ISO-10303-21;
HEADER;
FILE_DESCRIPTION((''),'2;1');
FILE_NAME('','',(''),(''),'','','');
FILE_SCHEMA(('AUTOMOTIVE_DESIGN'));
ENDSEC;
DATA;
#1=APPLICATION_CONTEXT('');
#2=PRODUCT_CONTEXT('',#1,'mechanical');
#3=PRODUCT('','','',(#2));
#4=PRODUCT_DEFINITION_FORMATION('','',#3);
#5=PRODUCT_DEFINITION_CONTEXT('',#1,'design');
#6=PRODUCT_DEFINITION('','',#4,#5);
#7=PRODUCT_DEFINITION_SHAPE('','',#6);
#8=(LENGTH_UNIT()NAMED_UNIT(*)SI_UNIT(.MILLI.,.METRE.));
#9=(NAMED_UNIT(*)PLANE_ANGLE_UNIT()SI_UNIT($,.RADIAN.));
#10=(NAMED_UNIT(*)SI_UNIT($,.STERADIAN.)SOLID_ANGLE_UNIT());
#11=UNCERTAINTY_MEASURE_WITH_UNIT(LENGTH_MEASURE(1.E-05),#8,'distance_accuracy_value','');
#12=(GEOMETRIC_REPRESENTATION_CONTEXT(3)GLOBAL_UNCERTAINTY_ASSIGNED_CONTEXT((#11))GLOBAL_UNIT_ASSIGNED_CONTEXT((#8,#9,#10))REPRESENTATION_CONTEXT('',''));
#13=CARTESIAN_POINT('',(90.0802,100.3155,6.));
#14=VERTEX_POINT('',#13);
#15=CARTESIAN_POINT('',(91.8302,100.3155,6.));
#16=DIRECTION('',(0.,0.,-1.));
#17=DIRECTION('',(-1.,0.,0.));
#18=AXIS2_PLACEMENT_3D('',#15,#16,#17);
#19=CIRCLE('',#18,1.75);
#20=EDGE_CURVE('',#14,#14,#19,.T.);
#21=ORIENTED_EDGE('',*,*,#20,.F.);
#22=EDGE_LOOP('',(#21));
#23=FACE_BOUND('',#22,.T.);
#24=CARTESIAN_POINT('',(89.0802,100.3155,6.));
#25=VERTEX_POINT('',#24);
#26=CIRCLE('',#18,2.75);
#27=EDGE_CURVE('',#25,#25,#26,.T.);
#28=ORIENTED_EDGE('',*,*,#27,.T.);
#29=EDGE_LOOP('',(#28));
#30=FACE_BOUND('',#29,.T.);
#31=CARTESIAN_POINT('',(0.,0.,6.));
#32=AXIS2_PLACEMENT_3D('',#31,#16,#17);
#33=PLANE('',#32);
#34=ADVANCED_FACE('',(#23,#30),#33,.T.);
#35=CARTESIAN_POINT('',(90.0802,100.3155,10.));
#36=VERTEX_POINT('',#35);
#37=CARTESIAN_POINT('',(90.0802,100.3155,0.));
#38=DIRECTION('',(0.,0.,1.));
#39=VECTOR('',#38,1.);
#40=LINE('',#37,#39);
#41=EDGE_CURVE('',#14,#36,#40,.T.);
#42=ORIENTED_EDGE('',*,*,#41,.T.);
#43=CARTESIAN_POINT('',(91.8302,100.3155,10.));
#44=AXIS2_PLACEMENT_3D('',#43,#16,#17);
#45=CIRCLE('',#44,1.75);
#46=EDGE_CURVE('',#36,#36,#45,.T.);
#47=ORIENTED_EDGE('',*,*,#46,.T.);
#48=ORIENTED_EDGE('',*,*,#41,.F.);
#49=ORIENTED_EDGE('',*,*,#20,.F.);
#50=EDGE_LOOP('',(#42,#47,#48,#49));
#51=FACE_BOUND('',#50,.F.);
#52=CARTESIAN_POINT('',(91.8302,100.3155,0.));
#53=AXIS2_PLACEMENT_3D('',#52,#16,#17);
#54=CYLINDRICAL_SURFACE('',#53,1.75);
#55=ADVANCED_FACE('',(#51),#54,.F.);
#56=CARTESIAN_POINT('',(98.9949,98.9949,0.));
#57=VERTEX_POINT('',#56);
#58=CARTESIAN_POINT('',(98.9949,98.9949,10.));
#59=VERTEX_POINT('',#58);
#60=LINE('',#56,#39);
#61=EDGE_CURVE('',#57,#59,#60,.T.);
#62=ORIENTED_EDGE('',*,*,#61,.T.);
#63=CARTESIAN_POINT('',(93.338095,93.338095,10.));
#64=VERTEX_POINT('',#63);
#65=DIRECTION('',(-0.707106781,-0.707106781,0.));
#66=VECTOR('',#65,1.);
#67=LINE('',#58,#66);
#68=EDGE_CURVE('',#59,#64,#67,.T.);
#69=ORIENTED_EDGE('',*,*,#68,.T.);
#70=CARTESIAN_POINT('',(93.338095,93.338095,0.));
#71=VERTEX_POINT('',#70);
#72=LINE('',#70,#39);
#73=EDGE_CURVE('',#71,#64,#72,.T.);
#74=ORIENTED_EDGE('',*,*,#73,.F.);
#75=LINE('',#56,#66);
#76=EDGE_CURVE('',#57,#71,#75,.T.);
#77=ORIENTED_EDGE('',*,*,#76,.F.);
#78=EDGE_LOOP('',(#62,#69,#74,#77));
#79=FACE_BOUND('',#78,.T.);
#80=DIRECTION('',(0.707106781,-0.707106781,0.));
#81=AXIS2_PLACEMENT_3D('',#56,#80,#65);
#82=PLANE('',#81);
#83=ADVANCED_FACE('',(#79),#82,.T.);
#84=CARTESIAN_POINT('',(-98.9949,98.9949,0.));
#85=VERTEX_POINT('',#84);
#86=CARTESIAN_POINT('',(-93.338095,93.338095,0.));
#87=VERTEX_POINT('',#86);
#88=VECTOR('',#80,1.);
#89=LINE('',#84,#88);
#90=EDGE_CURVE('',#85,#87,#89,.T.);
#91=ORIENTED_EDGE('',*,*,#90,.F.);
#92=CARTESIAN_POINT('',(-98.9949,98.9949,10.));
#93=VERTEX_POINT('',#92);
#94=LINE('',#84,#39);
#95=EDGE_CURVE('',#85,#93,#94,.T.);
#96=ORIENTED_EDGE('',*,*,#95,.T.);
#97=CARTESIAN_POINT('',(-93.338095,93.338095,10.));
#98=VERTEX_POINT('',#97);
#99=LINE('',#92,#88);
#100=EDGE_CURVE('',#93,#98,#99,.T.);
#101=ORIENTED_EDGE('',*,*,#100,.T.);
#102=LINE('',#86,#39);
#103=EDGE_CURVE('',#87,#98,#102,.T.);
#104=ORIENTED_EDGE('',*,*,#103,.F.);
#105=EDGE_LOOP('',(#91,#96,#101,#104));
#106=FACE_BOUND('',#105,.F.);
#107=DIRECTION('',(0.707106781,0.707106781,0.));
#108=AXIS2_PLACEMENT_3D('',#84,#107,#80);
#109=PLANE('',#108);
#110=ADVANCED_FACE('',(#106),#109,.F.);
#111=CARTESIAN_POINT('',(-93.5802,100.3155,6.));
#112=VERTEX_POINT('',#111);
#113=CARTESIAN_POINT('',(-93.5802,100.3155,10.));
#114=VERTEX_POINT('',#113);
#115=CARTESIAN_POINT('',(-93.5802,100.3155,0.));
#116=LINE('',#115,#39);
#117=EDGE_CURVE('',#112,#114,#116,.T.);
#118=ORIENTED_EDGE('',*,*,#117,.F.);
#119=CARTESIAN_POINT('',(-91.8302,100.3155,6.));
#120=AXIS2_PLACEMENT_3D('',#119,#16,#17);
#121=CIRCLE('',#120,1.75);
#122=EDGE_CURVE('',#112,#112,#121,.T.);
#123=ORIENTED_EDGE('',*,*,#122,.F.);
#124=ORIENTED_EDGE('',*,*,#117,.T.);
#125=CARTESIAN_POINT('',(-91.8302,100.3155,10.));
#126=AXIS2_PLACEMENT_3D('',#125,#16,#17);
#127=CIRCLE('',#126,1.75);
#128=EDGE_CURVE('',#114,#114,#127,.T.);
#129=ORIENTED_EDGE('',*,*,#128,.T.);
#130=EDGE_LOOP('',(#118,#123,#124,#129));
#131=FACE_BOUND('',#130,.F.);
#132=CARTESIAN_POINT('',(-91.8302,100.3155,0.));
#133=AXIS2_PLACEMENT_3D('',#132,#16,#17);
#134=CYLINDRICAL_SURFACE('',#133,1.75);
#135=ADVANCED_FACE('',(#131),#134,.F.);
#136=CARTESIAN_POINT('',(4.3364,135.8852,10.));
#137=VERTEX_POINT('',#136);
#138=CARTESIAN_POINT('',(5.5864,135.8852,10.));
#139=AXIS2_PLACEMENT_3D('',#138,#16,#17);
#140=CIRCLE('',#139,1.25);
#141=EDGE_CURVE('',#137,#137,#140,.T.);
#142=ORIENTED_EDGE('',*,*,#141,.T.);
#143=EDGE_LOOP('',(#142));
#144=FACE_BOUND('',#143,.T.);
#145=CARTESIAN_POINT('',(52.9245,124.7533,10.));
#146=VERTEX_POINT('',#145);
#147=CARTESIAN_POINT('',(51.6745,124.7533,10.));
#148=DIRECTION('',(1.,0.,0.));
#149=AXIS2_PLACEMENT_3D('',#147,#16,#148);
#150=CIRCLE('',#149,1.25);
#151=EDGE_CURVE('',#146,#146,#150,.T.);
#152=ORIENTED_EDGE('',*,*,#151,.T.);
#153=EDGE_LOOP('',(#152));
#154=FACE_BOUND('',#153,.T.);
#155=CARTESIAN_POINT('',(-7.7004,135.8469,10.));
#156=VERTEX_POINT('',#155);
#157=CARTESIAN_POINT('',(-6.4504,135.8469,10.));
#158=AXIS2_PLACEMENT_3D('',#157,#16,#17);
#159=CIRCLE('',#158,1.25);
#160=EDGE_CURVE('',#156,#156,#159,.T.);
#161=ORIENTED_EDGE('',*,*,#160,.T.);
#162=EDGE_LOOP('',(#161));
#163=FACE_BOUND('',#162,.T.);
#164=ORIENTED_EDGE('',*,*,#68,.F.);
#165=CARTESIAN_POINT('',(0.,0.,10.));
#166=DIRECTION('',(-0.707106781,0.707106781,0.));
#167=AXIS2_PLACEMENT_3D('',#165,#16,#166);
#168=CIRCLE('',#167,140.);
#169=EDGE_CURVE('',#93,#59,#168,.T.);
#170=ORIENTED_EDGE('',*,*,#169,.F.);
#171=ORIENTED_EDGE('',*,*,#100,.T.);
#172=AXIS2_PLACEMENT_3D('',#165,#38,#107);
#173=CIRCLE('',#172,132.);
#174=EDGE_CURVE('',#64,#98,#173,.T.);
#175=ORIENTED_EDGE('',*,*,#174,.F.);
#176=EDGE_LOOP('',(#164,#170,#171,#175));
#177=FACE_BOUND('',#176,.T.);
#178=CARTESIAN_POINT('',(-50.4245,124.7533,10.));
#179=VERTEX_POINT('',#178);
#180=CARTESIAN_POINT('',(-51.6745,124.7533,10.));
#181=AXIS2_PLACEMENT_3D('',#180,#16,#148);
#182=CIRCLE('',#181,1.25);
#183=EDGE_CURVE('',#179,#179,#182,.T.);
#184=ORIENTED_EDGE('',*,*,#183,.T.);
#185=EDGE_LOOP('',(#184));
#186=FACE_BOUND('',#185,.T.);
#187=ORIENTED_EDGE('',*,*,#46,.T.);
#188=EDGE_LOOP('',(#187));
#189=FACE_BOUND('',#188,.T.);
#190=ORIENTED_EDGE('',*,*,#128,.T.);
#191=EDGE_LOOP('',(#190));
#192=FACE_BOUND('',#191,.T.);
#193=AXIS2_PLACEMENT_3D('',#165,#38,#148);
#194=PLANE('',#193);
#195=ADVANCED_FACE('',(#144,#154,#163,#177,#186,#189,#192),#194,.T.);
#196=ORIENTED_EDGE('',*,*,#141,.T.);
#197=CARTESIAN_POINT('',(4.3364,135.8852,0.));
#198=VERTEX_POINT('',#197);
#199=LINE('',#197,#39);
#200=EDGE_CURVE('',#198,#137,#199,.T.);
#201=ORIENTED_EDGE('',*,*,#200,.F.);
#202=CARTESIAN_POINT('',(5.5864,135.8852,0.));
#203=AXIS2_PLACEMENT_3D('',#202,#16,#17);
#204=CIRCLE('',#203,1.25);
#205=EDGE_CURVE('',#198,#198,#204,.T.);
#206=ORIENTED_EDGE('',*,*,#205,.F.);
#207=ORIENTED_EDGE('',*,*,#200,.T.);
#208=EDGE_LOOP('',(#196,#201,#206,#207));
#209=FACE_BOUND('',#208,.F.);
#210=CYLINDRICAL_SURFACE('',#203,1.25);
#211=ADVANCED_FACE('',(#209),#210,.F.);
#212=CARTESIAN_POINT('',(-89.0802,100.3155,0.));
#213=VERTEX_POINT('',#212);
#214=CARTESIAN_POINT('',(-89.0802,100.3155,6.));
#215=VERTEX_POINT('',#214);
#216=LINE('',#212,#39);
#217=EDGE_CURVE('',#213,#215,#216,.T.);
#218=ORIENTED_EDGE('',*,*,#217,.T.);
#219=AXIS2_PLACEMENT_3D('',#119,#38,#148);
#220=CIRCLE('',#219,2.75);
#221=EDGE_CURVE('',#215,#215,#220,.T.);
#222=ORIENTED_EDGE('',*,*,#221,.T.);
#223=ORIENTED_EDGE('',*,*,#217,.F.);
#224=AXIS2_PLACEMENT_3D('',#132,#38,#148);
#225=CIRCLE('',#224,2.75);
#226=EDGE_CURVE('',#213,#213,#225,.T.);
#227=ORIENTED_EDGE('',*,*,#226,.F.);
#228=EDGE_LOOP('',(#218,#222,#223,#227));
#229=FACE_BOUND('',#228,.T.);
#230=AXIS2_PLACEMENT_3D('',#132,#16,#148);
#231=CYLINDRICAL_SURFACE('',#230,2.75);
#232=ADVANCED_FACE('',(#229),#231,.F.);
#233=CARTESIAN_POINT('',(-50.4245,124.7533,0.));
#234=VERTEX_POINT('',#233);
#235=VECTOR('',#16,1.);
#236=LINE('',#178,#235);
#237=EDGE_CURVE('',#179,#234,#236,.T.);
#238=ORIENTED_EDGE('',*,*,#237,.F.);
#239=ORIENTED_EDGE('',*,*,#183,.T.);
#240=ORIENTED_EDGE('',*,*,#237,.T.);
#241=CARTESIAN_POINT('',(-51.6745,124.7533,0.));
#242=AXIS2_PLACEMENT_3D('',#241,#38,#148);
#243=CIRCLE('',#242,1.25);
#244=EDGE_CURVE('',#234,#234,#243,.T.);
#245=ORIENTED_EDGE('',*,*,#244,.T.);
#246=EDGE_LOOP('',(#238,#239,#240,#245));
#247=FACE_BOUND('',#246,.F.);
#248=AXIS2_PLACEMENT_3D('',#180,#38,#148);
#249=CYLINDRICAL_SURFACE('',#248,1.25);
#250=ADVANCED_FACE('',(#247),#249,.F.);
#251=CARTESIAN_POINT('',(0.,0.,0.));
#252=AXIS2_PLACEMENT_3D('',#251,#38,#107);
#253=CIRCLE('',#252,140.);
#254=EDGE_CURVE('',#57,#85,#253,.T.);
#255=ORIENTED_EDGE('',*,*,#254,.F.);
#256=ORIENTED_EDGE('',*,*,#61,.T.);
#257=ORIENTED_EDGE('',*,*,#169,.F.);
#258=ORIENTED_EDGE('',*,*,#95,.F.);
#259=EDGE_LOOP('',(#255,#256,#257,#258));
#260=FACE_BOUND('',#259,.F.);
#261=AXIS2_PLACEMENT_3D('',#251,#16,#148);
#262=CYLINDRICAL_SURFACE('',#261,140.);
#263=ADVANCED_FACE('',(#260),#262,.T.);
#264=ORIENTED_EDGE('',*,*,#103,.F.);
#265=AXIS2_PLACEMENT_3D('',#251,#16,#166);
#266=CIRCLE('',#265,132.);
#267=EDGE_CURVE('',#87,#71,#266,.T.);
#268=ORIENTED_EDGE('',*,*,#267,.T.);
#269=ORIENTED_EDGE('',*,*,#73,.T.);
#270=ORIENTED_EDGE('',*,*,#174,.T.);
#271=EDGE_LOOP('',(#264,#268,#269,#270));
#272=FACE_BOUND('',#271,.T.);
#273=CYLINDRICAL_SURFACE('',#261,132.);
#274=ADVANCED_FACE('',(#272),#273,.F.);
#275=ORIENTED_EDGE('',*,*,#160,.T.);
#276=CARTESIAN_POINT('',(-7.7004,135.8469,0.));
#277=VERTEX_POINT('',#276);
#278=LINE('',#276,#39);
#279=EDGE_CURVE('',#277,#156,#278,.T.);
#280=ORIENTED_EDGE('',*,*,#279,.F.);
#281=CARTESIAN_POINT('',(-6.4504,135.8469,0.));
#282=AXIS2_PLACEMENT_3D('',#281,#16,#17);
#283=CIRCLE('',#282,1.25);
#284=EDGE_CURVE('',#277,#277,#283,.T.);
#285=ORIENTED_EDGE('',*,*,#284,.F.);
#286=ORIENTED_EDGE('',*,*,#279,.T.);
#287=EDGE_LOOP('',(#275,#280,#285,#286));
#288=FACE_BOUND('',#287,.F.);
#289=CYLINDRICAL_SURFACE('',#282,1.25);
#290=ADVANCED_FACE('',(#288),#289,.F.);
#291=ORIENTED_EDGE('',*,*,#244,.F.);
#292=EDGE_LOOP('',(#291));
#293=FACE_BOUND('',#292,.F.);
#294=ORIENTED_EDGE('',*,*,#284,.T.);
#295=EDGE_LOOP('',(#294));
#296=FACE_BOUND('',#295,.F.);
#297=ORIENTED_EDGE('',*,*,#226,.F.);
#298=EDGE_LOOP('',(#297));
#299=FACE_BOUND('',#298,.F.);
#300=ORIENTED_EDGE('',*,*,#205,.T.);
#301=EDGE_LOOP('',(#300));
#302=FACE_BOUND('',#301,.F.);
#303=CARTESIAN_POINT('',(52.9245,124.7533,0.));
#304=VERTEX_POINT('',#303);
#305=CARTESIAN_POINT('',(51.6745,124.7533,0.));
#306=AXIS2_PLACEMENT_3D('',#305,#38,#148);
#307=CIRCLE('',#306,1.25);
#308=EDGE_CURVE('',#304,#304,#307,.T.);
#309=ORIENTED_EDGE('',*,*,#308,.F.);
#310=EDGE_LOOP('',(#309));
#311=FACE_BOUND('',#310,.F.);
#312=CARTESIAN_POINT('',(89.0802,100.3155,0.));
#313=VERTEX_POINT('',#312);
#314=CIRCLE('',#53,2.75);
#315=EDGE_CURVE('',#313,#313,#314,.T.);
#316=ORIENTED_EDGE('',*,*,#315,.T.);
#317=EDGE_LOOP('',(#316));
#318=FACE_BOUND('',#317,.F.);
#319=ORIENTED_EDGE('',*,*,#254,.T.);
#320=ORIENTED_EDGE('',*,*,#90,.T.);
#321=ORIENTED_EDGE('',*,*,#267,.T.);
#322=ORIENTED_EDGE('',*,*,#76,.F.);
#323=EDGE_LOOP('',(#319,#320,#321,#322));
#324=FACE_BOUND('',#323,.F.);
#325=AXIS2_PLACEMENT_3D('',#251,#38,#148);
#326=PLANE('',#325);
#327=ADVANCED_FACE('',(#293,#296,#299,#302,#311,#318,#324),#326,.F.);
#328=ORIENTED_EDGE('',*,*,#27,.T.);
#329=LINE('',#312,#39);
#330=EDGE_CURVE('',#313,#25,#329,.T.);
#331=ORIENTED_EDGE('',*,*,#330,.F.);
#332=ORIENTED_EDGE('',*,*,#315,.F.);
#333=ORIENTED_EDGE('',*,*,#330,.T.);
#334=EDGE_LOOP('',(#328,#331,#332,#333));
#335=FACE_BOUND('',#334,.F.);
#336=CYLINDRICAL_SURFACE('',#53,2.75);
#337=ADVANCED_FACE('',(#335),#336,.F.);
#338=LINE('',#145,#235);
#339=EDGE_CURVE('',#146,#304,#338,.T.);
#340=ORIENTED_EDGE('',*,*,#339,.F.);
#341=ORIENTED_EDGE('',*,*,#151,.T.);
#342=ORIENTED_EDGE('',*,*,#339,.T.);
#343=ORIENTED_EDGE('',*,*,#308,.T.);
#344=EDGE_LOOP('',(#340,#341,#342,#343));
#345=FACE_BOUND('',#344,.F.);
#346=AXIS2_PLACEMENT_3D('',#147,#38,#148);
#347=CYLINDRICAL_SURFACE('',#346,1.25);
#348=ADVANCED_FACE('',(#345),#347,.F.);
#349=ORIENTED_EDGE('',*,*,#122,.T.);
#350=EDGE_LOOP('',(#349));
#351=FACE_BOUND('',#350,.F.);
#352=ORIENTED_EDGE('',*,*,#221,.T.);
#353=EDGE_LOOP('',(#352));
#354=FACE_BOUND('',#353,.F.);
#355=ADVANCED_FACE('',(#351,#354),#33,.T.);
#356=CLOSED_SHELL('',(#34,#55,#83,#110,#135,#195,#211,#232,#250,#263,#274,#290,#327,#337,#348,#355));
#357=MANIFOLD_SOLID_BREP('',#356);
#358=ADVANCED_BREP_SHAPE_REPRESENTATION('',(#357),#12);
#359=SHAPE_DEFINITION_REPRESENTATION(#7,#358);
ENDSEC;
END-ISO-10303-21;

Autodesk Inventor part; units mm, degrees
ref_plane "YZ Plane" through (0, 0, 0) normal (1, 0, 0) x (0, 1, 0)
ref_plane "XZ Plane" through (0, 0, 0) normal (0, 1, 0) x (-1, 0, 0)
ref_plane "XY Plane" through (0, 0, 0) normal (0, 0, 1) x (1, 0, 0)
sketch "草图1" plane through (0, 0, 0) normal (0, 0, 1) x (1, 0, 0)
  circle A0 centre (0, 0) radius 140
  circle A1 centre (0, 0) radius 132
  line L0 (0, 140) -> (0, -140)
  line L1 (140, 0) -> (-140, 0)
  line L2 (-98.9949, 98.9949) -> (98.9949, -98.9949)
  line L3 (98.9949, 98.9949) -> (-98.9949, -98.9949)
  point P0 (-93.3381, 93.3381)
  point P1 (93.3381, 93.3381)
  dimension "d0" = 280
  dimension "d1" = 8
  dimension "d2" = 90
  dimension "d5" = 45
extrude "拉伸1" add sketch "草图1" along normal blind 10 contours L3 A1 L0 A0 | L0 A1 L2 A0 picked at (81.3579, 110.3999) picked at (-77.3338, 113.2551)
sketch "草图2" plane through (0, 0, 0) normal (0, 0, -1) x (-1, 0, 0)
  circle A0 centre (0, 0) radius 136
  arc A1 (93.3381, 93.3381) -> (-93.3381, 93.3381) centre (0, 0) ccw projected
  arc A2 (98.9949, 98.9949) -> (-98.9949, 98.9949) centre (0, 0) ccw projected
  circle A3 centre (91.8302, 100.3155) radius 1.75
  line L0 (98.9949, 98.9949) -> (93.3381, 93.3381) projected
  line L1 (0, 140) -> (0, 106.7843)
  circle A4 centre (-91.8302, 100.3155) radius 1.75
  dimension "d9" = 4
  dimension "d11" = 3.5
  dimension "d12" = 6
extrude "拉伸2" cut sketch "草图2" against normal blind 29.25 contours A4 A0 | A0 A4 | A3 A0 | A0 A3
sketch "草图3" plane through (0, 0, 0) normal (0, 0, -1) x (-1, 0, 0)
  circle A0 centre (6.4504, 135.8469) radius 1.5
  circle A1 centre (-100.3405, 91.803) radius 1.5 projected
  circle A2 centre (-100.3405, 91.803) radius 1.5 projected
  circle A3 centre (-5.5864, 135.8852) radius 1.5 projected
  circle A4 centre (6.4504, 135.8469) radius 1.25
  circle A5 centre (-5.5864, 135.8852) radius 1.25
  point P0 (0, 0)
  dimension "d27" = 2.5
  dimension "d28" = 2.5
extrude "拉伸3" cut sketch "草图3" against normal blind 29.25 contours A4 | A5
sketch "草图4" plane through (0, 0, 10) normal (0, 0, 1) x (1, 0, 0)
  line L0 (0, 0) -> (-63.3975, 153.0551)
  line L1 (0, 0) -> (0, 175.6772)
  line L2 (0, 0) -> (-105.4105, 105.4105)
  line L3 (-98.9949, 98.9949) -> (-93.3381, 93.3381) projected
  circle A0 centre (0, 0) radius 135.032
  circle A1 centre (-51.6745, 124.7533) radius 1.5
  circle A2 centre (51.6745, 124.7533) radius 1.5
  circle A3 centre (-51.6745, 124.7533) radius 1.25
  circle A4 centre (51.6745, 124.7533) radius 1.25
  dimension "d23" = 270.064
  dimension "d21" = 22.5
  dimension "d22" = 22.5
  dimension "d24" = 3
  dimension "d33" = 2.5
  dimension "d34" = 2.5
extrude "拉伸4" cut sketch "草图4" against normal blind 10 contours A3 A0 L0 | L0 A0 A3 | A0 A3 L0 | L0 A3 A0 | A4 A0 | A0 A4
thread "螺纹1" size "M3x0.5" class "6H" standard "ANSI Metric M Profile" full length
thread "螺纹2" size "M3x0.5" class "6H" standard "ANSI Metric M Profile" full length
thread "螺纹3" size "M3x0.5" class "6H" standard "ANSI Metric M Profile" full length
thread "螺纹4" size "M3x0.5" class "6H" standard "ANSI Metric M Profile" full length
sketch "草图7" plane through (0, 0, 0) normal (0, 0, -1) x (-1, 0, 0)
  circle A0 centre (-91.8302, 100.3155) radius 1.75 projected
  circle A1 centre (-91.8302, 100.3155) radius 2.75
  point P0 (0, 0)
  dimension "d39" = 5.5
extrude "拉伸5" cut sketch "草图7" against normal blind 6 contours A0 | A1
mirror "镜像1" about plane through (0, 0, 0) normal (1, 0, 0) of "拉伸5"
properties part number "组合"
